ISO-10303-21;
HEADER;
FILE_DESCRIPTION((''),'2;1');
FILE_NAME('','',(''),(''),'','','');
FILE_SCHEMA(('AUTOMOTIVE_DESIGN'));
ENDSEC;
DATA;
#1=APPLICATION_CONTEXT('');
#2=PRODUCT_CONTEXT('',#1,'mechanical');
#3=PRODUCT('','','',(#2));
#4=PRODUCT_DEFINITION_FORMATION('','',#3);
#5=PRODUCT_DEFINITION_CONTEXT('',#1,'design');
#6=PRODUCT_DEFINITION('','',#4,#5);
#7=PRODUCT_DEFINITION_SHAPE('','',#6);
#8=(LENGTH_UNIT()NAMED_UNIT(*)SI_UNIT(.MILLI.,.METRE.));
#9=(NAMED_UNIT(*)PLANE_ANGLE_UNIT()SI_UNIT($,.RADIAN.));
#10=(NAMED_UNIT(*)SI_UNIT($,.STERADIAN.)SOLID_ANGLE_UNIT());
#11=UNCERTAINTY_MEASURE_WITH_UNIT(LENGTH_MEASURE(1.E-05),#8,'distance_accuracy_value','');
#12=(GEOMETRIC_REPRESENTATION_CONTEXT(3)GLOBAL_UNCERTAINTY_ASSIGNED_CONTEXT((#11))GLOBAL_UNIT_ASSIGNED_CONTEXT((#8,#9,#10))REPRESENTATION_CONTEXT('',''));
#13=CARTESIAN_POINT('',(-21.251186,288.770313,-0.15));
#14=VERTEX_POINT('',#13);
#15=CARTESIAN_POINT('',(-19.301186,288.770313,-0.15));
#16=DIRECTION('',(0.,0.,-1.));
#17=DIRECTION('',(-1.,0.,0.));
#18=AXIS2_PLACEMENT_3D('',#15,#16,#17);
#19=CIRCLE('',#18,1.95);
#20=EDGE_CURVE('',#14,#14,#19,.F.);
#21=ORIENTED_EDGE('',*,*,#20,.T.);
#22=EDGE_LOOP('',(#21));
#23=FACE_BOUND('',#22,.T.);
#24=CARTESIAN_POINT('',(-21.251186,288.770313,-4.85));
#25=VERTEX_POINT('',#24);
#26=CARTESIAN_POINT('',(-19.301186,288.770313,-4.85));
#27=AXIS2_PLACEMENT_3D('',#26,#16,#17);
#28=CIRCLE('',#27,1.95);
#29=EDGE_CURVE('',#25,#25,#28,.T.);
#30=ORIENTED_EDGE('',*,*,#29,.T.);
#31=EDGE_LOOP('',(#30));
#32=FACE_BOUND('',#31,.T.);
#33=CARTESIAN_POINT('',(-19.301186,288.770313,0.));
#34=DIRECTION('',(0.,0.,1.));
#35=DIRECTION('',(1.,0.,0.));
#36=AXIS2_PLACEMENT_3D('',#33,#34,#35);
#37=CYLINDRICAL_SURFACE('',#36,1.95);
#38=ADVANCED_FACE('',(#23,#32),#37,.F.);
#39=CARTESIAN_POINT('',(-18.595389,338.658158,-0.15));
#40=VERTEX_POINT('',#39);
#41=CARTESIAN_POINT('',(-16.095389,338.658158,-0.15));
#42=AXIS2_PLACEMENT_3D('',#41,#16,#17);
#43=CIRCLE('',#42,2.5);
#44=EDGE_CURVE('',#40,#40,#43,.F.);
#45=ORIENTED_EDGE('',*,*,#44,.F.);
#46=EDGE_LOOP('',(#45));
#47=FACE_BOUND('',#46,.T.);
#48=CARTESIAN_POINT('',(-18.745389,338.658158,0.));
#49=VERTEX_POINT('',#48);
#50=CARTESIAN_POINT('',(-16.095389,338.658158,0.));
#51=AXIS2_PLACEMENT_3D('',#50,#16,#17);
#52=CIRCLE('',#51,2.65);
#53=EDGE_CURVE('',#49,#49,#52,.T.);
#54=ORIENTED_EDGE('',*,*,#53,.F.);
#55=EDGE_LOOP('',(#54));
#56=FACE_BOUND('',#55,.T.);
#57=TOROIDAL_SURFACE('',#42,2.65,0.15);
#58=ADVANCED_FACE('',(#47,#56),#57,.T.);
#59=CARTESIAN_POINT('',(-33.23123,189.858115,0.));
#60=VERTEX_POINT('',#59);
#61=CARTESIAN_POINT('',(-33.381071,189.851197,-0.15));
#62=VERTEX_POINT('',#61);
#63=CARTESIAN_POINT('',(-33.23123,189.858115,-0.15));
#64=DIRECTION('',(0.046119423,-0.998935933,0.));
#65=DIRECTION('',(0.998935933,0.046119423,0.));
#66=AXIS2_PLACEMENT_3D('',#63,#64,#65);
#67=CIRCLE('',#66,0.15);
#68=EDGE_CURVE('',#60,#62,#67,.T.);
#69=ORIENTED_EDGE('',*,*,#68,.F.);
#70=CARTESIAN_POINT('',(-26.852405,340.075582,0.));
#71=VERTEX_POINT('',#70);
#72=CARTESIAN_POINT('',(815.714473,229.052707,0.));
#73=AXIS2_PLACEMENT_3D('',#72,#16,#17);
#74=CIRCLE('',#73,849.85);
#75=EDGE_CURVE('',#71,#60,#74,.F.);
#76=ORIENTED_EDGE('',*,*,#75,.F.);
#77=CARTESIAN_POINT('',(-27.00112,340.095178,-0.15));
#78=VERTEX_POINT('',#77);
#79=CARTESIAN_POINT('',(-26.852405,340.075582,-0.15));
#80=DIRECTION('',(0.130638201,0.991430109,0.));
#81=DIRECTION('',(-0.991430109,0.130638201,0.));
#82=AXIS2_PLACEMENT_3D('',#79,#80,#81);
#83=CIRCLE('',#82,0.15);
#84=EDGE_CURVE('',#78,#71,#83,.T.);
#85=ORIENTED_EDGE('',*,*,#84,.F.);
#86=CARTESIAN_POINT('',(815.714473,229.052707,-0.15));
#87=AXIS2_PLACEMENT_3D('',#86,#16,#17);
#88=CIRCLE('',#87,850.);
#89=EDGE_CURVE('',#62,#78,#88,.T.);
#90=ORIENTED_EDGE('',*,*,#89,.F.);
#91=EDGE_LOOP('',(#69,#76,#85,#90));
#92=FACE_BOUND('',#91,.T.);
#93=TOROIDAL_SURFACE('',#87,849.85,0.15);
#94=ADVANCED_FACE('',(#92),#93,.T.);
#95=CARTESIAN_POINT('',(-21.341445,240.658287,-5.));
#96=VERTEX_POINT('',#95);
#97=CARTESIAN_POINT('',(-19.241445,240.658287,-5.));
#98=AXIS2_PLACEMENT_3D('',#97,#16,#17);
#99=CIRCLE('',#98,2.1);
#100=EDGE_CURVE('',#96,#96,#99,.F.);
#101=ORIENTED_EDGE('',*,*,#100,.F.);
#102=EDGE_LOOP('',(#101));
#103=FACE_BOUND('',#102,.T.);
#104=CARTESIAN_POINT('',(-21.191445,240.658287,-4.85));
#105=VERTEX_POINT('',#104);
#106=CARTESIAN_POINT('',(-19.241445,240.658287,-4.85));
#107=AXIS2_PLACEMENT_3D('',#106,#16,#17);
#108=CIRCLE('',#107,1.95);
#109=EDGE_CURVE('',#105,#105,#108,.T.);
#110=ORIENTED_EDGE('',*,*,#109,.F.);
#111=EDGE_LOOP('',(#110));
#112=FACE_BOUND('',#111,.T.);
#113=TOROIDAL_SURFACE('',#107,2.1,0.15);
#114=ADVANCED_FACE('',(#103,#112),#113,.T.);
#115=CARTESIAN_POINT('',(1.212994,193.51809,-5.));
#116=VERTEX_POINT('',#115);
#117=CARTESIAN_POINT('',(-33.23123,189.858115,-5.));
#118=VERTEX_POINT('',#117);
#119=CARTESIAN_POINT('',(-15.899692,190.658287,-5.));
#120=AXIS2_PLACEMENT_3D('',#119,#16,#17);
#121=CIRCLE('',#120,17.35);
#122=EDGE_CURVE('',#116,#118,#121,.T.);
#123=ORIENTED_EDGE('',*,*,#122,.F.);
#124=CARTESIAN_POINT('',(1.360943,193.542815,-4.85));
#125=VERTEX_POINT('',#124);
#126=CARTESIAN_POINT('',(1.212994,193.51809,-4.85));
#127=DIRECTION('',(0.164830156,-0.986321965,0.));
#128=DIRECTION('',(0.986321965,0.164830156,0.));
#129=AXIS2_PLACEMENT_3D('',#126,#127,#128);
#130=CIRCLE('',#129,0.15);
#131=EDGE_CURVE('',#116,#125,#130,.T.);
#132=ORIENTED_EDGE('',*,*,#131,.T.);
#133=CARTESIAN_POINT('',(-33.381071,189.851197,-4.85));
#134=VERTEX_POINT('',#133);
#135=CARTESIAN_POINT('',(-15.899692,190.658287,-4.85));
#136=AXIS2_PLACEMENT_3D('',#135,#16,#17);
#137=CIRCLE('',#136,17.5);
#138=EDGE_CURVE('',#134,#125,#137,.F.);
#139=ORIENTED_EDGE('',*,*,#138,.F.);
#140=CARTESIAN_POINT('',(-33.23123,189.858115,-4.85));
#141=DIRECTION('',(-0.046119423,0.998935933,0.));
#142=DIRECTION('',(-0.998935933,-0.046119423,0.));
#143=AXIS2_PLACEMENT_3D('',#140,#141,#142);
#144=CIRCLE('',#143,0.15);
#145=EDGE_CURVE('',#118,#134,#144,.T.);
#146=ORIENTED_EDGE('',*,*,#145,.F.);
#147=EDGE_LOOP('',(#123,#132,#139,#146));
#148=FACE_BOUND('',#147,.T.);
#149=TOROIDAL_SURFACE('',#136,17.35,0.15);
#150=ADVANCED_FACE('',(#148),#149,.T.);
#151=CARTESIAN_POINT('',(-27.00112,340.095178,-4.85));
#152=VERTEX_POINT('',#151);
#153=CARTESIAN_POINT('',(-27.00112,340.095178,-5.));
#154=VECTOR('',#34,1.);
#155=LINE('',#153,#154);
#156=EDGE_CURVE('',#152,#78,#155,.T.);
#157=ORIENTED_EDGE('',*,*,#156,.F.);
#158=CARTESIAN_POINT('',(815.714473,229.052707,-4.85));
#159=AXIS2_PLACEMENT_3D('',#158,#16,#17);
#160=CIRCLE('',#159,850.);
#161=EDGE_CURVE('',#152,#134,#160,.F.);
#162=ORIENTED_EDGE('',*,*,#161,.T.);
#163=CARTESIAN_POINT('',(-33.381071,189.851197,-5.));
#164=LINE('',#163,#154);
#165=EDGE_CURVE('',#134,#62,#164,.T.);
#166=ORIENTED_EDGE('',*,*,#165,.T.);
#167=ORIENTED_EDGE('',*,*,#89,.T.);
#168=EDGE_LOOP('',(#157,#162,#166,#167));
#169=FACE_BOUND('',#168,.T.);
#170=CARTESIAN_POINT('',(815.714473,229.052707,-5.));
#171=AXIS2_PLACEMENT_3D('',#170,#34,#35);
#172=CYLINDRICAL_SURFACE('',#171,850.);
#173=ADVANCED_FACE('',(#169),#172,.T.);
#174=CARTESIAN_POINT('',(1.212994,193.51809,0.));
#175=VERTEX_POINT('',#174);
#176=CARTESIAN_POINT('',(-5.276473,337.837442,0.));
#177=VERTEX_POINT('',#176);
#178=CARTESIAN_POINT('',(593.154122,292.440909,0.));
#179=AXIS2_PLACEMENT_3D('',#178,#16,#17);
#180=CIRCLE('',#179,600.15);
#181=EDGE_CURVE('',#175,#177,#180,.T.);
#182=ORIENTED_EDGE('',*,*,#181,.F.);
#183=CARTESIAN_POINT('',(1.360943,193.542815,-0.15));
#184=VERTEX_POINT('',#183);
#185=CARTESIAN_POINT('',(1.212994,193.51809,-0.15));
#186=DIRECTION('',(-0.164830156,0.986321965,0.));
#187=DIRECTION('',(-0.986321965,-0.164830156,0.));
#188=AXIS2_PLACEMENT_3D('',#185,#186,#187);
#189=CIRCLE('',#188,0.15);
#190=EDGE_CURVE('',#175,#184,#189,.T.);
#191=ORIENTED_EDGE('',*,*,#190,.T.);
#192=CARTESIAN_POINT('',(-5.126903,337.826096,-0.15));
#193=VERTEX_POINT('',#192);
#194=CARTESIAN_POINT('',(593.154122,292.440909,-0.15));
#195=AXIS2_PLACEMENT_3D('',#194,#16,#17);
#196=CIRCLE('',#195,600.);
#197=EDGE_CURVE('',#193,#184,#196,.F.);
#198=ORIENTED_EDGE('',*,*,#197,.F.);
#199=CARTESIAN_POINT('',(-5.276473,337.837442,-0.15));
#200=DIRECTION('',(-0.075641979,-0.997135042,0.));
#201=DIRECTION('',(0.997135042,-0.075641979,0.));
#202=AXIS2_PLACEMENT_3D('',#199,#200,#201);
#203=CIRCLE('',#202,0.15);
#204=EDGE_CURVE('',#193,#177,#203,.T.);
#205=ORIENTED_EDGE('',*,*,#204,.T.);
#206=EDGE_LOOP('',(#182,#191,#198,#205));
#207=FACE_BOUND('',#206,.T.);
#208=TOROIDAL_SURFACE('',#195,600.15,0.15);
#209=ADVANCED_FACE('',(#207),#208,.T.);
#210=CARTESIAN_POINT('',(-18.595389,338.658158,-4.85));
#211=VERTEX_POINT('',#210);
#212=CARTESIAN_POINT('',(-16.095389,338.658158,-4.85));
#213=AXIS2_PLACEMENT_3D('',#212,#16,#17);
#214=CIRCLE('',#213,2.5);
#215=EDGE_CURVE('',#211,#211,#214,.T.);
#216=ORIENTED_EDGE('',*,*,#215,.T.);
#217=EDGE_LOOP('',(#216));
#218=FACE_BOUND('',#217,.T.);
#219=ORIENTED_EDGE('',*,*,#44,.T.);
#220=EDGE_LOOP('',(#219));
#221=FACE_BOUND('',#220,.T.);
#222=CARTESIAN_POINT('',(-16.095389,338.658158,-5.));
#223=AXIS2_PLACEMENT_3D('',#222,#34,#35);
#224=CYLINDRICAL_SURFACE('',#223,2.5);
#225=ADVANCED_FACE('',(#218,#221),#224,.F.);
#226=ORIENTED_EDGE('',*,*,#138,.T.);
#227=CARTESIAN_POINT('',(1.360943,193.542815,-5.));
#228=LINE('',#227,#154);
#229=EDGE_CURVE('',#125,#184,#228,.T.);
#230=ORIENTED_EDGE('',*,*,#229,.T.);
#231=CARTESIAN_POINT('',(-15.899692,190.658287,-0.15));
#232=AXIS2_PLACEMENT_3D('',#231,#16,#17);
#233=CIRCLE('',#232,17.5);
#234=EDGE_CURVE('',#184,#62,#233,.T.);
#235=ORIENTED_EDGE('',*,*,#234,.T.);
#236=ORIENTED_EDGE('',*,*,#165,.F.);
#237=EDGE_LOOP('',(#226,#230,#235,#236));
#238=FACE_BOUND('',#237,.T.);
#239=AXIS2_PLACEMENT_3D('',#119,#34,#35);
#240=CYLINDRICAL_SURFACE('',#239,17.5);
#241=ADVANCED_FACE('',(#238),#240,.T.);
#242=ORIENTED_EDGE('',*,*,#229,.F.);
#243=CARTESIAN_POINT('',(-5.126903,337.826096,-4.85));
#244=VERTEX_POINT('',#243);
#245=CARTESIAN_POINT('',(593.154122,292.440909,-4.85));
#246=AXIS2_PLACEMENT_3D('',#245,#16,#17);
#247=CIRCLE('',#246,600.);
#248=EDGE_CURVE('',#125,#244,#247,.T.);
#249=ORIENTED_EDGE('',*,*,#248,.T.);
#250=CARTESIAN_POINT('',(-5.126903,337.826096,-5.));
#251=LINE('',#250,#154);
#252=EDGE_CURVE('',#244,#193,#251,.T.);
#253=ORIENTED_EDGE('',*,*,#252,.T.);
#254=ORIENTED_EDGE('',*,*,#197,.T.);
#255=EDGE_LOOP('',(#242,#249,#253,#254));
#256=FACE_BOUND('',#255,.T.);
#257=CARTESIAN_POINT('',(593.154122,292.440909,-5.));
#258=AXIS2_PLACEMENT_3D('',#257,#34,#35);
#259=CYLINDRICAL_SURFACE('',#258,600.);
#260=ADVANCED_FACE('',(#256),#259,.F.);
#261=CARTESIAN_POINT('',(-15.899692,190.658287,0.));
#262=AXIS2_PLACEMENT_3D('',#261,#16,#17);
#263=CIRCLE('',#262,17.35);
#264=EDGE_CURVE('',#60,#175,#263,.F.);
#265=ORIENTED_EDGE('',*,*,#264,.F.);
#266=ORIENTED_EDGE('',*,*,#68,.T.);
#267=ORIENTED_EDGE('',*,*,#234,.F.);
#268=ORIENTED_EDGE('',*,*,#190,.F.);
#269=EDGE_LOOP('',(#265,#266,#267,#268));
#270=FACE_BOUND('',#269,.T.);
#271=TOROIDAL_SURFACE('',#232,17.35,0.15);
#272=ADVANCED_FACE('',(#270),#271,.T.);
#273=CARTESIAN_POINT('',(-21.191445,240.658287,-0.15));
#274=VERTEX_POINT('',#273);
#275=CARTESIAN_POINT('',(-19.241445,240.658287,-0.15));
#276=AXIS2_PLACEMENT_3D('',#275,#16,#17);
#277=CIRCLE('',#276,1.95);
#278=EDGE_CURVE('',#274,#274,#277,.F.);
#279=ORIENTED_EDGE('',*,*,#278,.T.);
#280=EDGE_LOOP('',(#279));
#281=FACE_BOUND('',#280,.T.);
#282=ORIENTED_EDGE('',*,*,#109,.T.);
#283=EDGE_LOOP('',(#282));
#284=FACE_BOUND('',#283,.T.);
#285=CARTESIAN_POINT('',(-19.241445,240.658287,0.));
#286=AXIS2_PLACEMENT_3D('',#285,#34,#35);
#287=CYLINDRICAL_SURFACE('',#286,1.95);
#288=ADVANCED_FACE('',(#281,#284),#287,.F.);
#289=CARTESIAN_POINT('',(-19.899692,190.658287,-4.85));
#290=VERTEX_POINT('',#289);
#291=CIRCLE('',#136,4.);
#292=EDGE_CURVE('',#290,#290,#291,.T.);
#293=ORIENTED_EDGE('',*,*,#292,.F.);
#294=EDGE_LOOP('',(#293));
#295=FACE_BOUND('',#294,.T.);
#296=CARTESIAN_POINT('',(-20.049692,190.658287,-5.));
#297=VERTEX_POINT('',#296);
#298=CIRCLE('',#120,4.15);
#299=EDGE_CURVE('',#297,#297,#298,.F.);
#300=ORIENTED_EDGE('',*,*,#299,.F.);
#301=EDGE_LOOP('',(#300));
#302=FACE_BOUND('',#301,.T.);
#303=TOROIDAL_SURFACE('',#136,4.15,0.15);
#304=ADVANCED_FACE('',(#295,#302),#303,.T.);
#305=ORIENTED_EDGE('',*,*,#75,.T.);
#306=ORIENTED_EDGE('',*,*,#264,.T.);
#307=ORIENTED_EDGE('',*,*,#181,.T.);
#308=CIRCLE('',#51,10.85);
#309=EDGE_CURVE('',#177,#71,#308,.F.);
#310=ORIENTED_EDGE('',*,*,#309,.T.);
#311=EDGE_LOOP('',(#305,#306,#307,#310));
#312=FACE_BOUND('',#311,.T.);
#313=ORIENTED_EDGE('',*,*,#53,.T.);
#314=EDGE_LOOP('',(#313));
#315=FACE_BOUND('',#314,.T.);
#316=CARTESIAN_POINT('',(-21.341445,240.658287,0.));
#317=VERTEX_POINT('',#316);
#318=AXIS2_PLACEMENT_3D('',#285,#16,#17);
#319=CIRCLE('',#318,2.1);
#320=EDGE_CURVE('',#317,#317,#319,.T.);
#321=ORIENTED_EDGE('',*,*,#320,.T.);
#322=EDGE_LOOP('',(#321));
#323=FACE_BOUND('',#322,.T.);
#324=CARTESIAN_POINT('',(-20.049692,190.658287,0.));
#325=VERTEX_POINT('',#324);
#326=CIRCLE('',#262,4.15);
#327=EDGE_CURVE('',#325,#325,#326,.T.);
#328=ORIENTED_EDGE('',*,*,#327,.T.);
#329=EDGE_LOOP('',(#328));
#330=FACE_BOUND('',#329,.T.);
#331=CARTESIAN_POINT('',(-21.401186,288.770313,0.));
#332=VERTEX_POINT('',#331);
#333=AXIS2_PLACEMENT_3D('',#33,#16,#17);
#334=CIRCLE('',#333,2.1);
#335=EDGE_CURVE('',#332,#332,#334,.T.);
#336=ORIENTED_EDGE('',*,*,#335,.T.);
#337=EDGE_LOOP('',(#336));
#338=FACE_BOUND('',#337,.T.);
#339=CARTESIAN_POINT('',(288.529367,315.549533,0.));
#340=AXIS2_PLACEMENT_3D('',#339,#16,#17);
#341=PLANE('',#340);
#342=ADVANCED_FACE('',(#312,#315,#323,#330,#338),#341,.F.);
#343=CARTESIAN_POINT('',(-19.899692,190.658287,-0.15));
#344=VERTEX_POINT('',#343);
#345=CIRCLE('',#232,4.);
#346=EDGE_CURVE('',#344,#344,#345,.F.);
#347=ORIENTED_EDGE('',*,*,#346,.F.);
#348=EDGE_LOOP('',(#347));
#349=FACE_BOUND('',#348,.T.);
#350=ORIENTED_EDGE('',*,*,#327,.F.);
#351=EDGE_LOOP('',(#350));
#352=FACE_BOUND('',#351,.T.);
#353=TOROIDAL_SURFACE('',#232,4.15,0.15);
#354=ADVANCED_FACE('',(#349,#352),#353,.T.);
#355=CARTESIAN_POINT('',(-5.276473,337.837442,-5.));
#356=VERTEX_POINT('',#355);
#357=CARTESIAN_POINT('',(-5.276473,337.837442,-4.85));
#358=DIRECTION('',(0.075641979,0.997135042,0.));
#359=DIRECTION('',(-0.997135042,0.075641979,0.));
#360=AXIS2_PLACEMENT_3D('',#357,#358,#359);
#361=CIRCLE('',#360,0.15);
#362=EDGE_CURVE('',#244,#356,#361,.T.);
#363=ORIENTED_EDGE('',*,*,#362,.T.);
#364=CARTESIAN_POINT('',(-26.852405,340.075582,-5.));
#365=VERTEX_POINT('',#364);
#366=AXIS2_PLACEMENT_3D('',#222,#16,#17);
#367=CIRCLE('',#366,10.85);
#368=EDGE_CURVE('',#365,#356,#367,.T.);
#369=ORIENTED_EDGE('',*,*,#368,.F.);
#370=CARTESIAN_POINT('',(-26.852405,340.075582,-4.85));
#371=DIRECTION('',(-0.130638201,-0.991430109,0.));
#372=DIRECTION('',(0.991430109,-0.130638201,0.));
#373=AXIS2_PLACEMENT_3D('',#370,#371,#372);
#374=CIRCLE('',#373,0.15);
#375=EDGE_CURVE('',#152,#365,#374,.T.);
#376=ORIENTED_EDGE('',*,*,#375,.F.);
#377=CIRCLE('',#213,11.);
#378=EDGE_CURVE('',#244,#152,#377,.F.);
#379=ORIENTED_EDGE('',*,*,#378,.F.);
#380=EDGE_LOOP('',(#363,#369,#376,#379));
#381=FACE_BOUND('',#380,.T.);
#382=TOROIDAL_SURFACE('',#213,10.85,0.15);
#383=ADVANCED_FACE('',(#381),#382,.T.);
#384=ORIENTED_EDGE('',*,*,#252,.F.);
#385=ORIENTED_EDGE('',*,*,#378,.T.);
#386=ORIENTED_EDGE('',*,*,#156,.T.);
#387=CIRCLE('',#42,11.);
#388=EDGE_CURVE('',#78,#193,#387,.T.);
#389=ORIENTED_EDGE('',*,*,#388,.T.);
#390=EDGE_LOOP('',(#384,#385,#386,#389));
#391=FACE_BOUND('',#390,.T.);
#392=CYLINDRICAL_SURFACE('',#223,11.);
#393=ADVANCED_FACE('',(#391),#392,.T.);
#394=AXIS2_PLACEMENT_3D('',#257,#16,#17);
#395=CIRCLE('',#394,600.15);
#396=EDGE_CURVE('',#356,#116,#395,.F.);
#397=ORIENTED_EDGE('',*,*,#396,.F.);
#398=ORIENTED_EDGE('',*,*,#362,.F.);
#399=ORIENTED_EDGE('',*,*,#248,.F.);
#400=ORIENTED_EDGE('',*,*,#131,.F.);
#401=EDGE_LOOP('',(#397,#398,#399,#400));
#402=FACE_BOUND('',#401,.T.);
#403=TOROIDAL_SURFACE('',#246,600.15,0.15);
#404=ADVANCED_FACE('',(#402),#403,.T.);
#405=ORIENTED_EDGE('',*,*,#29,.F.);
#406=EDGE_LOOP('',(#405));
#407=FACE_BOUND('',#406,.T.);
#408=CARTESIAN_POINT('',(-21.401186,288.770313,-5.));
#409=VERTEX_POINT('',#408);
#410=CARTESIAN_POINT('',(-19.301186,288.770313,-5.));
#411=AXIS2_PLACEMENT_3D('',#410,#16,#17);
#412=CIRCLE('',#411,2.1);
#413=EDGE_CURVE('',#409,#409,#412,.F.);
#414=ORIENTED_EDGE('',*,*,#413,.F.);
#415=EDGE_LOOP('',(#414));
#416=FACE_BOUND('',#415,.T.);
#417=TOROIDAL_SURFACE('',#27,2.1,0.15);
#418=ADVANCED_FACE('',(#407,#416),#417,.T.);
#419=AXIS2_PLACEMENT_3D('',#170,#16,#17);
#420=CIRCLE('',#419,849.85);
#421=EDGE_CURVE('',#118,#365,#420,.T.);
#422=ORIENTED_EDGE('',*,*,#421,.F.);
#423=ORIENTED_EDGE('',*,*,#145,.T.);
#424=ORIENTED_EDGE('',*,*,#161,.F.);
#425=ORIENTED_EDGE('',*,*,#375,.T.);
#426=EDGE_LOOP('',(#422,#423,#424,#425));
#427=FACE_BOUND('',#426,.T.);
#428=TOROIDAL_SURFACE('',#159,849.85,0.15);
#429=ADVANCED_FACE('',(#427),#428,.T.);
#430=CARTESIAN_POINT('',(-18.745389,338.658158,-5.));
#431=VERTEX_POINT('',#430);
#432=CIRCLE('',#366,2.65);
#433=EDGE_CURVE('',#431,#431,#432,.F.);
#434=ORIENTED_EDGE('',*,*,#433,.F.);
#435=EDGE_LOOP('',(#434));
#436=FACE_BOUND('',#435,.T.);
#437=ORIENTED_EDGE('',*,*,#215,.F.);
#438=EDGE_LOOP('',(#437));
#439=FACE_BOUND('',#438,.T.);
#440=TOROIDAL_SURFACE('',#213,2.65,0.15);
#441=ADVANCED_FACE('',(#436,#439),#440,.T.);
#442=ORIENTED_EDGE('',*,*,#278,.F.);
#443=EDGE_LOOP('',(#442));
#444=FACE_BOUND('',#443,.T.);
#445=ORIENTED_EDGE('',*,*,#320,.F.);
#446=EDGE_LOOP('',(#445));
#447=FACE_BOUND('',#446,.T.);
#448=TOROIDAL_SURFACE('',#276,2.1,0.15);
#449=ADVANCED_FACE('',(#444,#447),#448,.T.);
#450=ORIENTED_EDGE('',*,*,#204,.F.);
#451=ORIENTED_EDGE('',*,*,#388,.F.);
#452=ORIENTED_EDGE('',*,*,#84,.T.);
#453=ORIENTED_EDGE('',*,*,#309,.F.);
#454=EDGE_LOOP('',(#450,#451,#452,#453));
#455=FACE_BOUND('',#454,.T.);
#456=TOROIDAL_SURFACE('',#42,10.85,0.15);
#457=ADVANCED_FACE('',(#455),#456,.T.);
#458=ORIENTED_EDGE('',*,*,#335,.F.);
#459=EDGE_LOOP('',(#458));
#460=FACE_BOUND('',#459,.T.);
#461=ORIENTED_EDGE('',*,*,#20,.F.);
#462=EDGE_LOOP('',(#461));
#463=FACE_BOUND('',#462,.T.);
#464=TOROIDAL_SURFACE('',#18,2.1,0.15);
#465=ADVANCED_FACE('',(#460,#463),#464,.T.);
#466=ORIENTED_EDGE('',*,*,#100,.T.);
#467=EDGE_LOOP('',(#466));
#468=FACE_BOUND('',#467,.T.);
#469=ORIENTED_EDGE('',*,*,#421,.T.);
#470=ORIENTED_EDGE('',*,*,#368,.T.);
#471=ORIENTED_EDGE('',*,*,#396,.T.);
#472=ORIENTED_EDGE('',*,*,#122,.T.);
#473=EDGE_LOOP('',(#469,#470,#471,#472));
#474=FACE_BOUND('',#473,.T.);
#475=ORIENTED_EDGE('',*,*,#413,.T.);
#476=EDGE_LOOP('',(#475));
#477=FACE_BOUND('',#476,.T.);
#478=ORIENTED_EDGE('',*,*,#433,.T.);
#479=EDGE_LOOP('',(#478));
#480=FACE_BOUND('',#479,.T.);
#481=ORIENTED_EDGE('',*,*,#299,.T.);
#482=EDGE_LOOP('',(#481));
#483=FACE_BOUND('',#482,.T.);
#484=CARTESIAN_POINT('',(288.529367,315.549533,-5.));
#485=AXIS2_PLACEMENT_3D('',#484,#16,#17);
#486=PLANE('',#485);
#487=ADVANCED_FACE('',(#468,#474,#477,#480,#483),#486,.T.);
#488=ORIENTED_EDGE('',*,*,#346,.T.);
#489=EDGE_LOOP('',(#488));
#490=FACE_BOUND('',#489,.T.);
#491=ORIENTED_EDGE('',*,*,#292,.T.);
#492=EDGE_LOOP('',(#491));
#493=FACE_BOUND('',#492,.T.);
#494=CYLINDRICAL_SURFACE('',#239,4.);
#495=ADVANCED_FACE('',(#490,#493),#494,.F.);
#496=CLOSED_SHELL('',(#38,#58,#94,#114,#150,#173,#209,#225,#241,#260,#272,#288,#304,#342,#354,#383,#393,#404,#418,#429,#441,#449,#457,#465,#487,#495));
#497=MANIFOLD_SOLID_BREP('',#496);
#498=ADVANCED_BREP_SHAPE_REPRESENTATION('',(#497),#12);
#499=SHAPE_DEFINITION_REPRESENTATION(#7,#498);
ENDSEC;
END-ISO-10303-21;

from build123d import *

# Parameters (mm, degrees)
SKETCH7_R                  = 2.5
SKETCH7_R_2                = 4
BOSS_EXTRUDE1_DEPTH        = 5
M3_5_CLEARANCE_HOLE1_D     = 3.9
M3_5_CLEARANCE_HOLE1_DEPTH = 10
M3_5_CLEARANCE_HOLE1_TIP   = 1.171678207
FILLET1_R                  = 0.15


with BuildPart() as part:
    # Sketch7 → Boss-Extrude1 (new body)
    with BuildSketch(Plane.XY):
        with BuildLine():
            ThreePointArc((-5.126903148, 337.826095833), (-6.240213511, 265.488527819), (1.360942505, 193.54281472))
            ThreePointArc((1.360942505, 193.54281472), (-14.050586097, 173.256252394), (-33.381070722, 189.851197076))
            ThreePointArc((-33.381070722, 189.851197076), (-33.52020826, 265.114554689), (-27.0011198, 340.095177812))
            ThreePointArc((-27.0011198, 340.095177812), (-14.960413811, 349.599447844), (-5.126903148, 337.826095833))
        make_face()
        with Locations((-16.095388605, 338.658157599)):
            Circle(SKETCH7_R, mode=Mode.SUBTRACT)
        with Locations((-15.89969189, 190.658286981)):
            Circle(SKETCH7_R_2, mode=Mode.SUBTRACT)
    extrude(amount=-BOSS_EXTRUDE1_DEPTH)

    # M3.5 Clearance Hole1
    with Locations(Plane.XY):
        with Locations((-19.241445362, 240.658286981), (-19.301185724, 288.770312626)):
            Hole(M3_5_CLEARANCE_HOLE1_D / 2, depth=M3_5_CLEARANCE_HOLE1_DEPTH)
            with Locations((0, 0, -(M3_5_CLEARANCE_HOLE1_DEPTH + M3_5_CLEARANCE_HOLE1_TIP / 2))):  # 118° drill point
                Cone(0, M3_5_CLEARANCE_HOLE1_D / 2, M3_5_CLEARANCE_HOLE1_TIP, mode=Mode.SUBTRACT)

    # Fillet1
    fillet1_edges = [part.edges().sort_by_distance(p)[0] for p in [
        (-14.050586097, 173.256252394, -5),
        (-18.595388605, 338.658157599, -5),
        (-18.595388605, 338.658157599, 0),
        (-6.240213511, 265.488527819, -5),
        (-19.89969189, 190.658286981, -5),
        (-19.89969189, 190.658286981, 0),
        (-17.351185724, 288.770312626, -5),
        (-17.351185724, 288.770312626, 0),
        (-17.291445362, 240.658286981, -5),
        (-17.291445362, 240.658286981, 0),
        (-14.960413811, 349.599447844, -5),
        (-6.240213511, 265.488527819, 0),
        (-14.050586097, 173.256252394, 0),
        (-33.52020826, 265.114554689, 0),
        (-14.960413811, 349.599447844, 0),
        (-33.52020826, 265.114554689, -5),
    ]]
    fillet(fillet1_edges, radius=FILLET1_R)


solid = part.part
